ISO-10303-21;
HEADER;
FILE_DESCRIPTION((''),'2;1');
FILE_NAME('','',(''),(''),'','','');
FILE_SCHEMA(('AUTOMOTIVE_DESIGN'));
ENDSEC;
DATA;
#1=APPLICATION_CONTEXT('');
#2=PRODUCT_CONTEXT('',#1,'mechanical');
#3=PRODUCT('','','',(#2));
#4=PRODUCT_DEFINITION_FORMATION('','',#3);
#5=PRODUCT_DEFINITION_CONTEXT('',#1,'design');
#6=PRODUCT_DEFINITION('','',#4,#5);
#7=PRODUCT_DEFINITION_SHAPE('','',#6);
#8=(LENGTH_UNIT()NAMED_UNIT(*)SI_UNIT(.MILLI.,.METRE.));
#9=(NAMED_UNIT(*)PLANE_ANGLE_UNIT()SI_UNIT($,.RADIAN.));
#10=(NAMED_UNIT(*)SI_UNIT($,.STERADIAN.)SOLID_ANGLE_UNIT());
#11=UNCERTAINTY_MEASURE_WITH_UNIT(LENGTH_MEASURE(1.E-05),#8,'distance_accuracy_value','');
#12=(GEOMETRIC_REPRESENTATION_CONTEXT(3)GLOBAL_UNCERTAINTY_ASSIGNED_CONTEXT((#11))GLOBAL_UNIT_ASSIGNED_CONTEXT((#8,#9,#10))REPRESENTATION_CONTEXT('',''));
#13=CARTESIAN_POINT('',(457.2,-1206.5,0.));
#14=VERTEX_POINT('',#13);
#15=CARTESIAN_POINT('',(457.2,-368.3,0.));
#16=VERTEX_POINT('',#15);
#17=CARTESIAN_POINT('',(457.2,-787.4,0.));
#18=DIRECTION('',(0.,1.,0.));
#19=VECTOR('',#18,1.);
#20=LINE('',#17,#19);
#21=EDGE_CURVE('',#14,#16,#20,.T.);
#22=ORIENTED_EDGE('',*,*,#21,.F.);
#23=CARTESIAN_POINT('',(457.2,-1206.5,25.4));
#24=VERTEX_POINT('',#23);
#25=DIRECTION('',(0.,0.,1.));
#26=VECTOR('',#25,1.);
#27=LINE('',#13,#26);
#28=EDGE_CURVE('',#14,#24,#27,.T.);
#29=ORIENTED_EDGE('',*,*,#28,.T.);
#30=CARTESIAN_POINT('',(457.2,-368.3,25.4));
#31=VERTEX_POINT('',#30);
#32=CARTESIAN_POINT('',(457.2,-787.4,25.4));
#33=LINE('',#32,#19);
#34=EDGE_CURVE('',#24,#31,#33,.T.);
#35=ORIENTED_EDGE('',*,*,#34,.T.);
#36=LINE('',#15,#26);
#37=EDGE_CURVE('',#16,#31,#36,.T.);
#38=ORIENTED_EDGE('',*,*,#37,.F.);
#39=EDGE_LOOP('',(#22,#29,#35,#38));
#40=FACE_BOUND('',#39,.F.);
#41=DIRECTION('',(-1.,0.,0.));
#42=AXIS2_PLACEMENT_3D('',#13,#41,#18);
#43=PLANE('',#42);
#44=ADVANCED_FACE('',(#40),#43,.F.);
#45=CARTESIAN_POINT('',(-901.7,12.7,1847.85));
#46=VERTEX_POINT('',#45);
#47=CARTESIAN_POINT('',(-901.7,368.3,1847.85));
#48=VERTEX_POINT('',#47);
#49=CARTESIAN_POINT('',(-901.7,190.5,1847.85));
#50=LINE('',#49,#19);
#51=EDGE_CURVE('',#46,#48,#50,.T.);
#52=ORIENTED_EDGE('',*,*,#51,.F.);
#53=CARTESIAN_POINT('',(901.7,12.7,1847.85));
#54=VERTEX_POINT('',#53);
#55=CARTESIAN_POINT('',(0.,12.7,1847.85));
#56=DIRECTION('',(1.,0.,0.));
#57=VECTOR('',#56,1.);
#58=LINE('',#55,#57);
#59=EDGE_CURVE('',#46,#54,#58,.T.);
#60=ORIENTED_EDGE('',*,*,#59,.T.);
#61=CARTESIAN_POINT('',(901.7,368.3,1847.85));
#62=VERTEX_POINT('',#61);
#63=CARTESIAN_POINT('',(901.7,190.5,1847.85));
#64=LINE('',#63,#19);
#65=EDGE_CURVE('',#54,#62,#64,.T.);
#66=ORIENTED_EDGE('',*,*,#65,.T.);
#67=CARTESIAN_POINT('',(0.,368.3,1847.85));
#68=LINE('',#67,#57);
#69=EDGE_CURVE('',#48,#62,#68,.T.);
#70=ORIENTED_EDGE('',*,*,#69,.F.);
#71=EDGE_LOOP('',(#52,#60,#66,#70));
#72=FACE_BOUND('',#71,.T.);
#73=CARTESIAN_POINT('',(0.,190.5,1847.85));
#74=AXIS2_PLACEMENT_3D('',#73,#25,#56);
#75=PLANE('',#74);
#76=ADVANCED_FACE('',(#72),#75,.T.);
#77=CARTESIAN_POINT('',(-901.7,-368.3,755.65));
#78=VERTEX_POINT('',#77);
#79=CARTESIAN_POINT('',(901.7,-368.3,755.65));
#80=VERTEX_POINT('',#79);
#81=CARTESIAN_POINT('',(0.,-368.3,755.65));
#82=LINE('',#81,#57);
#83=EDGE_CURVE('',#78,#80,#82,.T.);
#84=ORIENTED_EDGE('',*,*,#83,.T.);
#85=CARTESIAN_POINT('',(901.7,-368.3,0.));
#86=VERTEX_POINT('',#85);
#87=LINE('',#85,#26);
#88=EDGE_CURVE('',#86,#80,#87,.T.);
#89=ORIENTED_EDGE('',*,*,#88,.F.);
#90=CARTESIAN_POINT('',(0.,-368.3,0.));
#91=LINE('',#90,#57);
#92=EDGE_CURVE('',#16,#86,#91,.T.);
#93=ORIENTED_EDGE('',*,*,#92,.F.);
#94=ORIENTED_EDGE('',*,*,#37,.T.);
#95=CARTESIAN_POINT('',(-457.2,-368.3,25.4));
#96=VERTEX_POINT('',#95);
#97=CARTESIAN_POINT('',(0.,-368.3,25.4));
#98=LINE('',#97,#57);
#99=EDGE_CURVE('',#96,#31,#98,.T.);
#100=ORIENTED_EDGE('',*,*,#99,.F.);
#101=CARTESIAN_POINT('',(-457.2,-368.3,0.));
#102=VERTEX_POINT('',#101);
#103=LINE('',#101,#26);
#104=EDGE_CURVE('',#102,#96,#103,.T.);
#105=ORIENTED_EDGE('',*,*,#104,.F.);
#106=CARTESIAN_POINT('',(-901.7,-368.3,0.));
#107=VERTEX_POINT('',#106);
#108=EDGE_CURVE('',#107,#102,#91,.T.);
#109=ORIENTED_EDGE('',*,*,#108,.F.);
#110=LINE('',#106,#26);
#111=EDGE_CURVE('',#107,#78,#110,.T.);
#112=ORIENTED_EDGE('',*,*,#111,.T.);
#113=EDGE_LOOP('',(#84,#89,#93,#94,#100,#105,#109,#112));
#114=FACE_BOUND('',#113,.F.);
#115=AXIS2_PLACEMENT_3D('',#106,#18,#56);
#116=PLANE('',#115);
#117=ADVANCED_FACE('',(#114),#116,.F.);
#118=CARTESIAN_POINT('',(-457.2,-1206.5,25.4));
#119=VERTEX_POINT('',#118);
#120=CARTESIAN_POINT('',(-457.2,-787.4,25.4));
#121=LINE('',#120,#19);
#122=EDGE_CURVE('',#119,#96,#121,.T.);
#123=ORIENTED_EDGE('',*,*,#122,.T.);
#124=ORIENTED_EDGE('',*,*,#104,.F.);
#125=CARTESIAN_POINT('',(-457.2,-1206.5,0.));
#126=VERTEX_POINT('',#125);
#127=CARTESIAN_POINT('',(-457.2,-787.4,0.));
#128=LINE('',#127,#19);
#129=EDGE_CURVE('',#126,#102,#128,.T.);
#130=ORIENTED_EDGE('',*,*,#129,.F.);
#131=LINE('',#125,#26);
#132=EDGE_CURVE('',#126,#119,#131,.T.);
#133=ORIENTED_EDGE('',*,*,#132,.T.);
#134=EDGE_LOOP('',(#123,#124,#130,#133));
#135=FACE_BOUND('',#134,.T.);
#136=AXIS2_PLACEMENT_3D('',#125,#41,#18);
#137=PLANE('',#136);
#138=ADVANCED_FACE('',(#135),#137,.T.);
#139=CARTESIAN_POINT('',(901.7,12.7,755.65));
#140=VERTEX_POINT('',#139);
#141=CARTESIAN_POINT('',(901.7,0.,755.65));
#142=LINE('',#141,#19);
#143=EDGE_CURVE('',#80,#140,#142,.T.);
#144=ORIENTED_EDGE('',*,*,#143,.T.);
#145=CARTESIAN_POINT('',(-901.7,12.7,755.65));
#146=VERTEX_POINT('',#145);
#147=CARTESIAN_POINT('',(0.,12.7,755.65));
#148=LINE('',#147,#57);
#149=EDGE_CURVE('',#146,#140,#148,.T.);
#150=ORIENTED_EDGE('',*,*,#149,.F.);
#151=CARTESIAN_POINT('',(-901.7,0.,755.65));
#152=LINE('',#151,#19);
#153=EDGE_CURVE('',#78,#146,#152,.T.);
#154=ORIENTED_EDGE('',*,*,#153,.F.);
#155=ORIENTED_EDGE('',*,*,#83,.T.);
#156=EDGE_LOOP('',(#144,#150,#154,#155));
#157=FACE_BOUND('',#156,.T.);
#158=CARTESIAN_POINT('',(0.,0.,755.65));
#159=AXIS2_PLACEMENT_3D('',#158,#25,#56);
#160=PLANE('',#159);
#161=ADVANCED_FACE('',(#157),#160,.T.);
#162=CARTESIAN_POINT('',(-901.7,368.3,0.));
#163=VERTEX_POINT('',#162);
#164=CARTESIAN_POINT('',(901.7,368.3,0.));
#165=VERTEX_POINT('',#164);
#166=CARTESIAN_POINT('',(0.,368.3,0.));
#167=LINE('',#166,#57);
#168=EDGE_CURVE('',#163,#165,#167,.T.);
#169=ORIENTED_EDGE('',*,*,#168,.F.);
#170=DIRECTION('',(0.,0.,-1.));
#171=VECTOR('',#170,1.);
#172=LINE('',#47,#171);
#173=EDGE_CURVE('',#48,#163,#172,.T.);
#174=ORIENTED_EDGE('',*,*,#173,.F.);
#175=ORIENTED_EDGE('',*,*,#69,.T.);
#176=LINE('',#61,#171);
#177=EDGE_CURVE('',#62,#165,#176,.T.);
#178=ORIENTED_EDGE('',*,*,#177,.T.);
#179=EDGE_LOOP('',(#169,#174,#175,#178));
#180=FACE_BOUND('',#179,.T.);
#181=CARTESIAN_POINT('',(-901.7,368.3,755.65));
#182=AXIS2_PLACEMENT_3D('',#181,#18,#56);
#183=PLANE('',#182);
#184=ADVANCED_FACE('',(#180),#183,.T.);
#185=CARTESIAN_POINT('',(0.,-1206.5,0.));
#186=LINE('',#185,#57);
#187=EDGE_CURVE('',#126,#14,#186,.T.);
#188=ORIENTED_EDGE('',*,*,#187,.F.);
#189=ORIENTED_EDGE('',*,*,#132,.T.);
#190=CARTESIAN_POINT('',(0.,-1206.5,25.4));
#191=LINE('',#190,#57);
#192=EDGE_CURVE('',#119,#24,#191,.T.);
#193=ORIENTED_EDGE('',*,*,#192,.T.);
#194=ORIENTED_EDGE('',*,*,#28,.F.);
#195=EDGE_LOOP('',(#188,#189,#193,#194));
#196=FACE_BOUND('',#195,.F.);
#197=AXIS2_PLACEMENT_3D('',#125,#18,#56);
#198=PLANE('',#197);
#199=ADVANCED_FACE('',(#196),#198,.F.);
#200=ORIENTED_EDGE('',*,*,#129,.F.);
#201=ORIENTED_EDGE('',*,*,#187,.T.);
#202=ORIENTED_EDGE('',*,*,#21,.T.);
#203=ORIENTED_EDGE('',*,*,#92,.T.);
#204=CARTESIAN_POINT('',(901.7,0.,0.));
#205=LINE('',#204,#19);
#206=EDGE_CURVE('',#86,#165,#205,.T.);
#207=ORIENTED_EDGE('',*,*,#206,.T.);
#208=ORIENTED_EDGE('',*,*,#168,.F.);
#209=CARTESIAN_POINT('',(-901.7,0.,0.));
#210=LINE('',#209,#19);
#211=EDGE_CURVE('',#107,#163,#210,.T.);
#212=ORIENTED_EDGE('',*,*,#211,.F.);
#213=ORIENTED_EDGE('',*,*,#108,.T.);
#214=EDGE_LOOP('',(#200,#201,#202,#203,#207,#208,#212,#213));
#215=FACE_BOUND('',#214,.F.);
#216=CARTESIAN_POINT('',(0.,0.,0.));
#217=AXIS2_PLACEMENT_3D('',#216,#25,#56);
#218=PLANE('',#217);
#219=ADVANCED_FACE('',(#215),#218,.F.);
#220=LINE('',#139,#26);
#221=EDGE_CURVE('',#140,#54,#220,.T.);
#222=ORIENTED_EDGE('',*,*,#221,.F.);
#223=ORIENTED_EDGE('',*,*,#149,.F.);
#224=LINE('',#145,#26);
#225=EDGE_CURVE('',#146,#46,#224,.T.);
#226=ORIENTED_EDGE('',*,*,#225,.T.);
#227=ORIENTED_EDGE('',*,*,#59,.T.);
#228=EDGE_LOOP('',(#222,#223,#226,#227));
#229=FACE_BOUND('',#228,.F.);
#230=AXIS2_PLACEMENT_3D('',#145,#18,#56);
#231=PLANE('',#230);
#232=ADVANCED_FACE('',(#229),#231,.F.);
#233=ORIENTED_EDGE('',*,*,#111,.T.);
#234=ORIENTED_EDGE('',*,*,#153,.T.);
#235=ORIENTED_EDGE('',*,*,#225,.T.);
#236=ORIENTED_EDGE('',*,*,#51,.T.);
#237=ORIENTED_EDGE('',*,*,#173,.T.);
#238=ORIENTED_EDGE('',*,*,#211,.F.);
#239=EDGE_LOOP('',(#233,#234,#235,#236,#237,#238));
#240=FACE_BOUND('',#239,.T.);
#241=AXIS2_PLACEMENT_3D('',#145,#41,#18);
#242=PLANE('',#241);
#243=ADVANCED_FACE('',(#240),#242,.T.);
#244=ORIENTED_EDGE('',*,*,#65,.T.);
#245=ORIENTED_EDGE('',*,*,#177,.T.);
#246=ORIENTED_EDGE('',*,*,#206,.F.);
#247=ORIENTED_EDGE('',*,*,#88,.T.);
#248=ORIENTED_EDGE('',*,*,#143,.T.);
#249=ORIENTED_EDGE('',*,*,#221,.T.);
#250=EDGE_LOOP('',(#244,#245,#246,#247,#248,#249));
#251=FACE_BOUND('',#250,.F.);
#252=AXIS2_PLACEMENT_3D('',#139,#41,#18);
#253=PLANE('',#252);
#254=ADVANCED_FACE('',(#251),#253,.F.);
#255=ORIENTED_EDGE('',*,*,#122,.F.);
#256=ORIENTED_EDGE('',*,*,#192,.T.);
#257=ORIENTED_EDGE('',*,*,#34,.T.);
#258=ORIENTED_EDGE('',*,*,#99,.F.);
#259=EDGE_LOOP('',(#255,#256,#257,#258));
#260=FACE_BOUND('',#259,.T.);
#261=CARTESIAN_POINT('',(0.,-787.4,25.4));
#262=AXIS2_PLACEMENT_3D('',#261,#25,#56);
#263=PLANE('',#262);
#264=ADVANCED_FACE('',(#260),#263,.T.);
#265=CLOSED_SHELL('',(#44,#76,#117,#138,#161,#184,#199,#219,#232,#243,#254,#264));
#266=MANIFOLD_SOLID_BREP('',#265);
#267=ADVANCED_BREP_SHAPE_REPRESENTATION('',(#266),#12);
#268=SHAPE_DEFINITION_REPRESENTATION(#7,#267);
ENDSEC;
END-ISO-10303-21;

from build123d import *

# Parameters (mm, degrees)
F0_W     = 1803.4
F0_H     = 736.6
F2_DEPTH = 755.65
F1_W     = 914.4
F1_H     = 838.2
F3_DEPTH = 25.4
F4_W     = 1803.4
F4_H     = 355.6
F5_DEPTH = 1092.2


with BuildPart() as f2:
    # F0 (on Top) → F2 (new body)
    with BuildSketch(Plane.XY):
        Rectangle(F0_W, F0_H)
    extrude(amount=F2_DEPTH)

    # F1 (on Top) → F3 (join)
    with BuildSketch(Plane.XY):
        with Locations((0, -787.4)):
            Rectangle(F1_W, F1_H)
    extrude(amount=F3_DEPTH)

    # F4 (on face) → F5 (join)
    with BuildSketch(Plane.XY.offset(755.65)):
        with Locations((0, 190.5)):
            Rectangle(F4_W, F4_H)
    extrude(amount=F5_DEPTH)


solid = f2.part
